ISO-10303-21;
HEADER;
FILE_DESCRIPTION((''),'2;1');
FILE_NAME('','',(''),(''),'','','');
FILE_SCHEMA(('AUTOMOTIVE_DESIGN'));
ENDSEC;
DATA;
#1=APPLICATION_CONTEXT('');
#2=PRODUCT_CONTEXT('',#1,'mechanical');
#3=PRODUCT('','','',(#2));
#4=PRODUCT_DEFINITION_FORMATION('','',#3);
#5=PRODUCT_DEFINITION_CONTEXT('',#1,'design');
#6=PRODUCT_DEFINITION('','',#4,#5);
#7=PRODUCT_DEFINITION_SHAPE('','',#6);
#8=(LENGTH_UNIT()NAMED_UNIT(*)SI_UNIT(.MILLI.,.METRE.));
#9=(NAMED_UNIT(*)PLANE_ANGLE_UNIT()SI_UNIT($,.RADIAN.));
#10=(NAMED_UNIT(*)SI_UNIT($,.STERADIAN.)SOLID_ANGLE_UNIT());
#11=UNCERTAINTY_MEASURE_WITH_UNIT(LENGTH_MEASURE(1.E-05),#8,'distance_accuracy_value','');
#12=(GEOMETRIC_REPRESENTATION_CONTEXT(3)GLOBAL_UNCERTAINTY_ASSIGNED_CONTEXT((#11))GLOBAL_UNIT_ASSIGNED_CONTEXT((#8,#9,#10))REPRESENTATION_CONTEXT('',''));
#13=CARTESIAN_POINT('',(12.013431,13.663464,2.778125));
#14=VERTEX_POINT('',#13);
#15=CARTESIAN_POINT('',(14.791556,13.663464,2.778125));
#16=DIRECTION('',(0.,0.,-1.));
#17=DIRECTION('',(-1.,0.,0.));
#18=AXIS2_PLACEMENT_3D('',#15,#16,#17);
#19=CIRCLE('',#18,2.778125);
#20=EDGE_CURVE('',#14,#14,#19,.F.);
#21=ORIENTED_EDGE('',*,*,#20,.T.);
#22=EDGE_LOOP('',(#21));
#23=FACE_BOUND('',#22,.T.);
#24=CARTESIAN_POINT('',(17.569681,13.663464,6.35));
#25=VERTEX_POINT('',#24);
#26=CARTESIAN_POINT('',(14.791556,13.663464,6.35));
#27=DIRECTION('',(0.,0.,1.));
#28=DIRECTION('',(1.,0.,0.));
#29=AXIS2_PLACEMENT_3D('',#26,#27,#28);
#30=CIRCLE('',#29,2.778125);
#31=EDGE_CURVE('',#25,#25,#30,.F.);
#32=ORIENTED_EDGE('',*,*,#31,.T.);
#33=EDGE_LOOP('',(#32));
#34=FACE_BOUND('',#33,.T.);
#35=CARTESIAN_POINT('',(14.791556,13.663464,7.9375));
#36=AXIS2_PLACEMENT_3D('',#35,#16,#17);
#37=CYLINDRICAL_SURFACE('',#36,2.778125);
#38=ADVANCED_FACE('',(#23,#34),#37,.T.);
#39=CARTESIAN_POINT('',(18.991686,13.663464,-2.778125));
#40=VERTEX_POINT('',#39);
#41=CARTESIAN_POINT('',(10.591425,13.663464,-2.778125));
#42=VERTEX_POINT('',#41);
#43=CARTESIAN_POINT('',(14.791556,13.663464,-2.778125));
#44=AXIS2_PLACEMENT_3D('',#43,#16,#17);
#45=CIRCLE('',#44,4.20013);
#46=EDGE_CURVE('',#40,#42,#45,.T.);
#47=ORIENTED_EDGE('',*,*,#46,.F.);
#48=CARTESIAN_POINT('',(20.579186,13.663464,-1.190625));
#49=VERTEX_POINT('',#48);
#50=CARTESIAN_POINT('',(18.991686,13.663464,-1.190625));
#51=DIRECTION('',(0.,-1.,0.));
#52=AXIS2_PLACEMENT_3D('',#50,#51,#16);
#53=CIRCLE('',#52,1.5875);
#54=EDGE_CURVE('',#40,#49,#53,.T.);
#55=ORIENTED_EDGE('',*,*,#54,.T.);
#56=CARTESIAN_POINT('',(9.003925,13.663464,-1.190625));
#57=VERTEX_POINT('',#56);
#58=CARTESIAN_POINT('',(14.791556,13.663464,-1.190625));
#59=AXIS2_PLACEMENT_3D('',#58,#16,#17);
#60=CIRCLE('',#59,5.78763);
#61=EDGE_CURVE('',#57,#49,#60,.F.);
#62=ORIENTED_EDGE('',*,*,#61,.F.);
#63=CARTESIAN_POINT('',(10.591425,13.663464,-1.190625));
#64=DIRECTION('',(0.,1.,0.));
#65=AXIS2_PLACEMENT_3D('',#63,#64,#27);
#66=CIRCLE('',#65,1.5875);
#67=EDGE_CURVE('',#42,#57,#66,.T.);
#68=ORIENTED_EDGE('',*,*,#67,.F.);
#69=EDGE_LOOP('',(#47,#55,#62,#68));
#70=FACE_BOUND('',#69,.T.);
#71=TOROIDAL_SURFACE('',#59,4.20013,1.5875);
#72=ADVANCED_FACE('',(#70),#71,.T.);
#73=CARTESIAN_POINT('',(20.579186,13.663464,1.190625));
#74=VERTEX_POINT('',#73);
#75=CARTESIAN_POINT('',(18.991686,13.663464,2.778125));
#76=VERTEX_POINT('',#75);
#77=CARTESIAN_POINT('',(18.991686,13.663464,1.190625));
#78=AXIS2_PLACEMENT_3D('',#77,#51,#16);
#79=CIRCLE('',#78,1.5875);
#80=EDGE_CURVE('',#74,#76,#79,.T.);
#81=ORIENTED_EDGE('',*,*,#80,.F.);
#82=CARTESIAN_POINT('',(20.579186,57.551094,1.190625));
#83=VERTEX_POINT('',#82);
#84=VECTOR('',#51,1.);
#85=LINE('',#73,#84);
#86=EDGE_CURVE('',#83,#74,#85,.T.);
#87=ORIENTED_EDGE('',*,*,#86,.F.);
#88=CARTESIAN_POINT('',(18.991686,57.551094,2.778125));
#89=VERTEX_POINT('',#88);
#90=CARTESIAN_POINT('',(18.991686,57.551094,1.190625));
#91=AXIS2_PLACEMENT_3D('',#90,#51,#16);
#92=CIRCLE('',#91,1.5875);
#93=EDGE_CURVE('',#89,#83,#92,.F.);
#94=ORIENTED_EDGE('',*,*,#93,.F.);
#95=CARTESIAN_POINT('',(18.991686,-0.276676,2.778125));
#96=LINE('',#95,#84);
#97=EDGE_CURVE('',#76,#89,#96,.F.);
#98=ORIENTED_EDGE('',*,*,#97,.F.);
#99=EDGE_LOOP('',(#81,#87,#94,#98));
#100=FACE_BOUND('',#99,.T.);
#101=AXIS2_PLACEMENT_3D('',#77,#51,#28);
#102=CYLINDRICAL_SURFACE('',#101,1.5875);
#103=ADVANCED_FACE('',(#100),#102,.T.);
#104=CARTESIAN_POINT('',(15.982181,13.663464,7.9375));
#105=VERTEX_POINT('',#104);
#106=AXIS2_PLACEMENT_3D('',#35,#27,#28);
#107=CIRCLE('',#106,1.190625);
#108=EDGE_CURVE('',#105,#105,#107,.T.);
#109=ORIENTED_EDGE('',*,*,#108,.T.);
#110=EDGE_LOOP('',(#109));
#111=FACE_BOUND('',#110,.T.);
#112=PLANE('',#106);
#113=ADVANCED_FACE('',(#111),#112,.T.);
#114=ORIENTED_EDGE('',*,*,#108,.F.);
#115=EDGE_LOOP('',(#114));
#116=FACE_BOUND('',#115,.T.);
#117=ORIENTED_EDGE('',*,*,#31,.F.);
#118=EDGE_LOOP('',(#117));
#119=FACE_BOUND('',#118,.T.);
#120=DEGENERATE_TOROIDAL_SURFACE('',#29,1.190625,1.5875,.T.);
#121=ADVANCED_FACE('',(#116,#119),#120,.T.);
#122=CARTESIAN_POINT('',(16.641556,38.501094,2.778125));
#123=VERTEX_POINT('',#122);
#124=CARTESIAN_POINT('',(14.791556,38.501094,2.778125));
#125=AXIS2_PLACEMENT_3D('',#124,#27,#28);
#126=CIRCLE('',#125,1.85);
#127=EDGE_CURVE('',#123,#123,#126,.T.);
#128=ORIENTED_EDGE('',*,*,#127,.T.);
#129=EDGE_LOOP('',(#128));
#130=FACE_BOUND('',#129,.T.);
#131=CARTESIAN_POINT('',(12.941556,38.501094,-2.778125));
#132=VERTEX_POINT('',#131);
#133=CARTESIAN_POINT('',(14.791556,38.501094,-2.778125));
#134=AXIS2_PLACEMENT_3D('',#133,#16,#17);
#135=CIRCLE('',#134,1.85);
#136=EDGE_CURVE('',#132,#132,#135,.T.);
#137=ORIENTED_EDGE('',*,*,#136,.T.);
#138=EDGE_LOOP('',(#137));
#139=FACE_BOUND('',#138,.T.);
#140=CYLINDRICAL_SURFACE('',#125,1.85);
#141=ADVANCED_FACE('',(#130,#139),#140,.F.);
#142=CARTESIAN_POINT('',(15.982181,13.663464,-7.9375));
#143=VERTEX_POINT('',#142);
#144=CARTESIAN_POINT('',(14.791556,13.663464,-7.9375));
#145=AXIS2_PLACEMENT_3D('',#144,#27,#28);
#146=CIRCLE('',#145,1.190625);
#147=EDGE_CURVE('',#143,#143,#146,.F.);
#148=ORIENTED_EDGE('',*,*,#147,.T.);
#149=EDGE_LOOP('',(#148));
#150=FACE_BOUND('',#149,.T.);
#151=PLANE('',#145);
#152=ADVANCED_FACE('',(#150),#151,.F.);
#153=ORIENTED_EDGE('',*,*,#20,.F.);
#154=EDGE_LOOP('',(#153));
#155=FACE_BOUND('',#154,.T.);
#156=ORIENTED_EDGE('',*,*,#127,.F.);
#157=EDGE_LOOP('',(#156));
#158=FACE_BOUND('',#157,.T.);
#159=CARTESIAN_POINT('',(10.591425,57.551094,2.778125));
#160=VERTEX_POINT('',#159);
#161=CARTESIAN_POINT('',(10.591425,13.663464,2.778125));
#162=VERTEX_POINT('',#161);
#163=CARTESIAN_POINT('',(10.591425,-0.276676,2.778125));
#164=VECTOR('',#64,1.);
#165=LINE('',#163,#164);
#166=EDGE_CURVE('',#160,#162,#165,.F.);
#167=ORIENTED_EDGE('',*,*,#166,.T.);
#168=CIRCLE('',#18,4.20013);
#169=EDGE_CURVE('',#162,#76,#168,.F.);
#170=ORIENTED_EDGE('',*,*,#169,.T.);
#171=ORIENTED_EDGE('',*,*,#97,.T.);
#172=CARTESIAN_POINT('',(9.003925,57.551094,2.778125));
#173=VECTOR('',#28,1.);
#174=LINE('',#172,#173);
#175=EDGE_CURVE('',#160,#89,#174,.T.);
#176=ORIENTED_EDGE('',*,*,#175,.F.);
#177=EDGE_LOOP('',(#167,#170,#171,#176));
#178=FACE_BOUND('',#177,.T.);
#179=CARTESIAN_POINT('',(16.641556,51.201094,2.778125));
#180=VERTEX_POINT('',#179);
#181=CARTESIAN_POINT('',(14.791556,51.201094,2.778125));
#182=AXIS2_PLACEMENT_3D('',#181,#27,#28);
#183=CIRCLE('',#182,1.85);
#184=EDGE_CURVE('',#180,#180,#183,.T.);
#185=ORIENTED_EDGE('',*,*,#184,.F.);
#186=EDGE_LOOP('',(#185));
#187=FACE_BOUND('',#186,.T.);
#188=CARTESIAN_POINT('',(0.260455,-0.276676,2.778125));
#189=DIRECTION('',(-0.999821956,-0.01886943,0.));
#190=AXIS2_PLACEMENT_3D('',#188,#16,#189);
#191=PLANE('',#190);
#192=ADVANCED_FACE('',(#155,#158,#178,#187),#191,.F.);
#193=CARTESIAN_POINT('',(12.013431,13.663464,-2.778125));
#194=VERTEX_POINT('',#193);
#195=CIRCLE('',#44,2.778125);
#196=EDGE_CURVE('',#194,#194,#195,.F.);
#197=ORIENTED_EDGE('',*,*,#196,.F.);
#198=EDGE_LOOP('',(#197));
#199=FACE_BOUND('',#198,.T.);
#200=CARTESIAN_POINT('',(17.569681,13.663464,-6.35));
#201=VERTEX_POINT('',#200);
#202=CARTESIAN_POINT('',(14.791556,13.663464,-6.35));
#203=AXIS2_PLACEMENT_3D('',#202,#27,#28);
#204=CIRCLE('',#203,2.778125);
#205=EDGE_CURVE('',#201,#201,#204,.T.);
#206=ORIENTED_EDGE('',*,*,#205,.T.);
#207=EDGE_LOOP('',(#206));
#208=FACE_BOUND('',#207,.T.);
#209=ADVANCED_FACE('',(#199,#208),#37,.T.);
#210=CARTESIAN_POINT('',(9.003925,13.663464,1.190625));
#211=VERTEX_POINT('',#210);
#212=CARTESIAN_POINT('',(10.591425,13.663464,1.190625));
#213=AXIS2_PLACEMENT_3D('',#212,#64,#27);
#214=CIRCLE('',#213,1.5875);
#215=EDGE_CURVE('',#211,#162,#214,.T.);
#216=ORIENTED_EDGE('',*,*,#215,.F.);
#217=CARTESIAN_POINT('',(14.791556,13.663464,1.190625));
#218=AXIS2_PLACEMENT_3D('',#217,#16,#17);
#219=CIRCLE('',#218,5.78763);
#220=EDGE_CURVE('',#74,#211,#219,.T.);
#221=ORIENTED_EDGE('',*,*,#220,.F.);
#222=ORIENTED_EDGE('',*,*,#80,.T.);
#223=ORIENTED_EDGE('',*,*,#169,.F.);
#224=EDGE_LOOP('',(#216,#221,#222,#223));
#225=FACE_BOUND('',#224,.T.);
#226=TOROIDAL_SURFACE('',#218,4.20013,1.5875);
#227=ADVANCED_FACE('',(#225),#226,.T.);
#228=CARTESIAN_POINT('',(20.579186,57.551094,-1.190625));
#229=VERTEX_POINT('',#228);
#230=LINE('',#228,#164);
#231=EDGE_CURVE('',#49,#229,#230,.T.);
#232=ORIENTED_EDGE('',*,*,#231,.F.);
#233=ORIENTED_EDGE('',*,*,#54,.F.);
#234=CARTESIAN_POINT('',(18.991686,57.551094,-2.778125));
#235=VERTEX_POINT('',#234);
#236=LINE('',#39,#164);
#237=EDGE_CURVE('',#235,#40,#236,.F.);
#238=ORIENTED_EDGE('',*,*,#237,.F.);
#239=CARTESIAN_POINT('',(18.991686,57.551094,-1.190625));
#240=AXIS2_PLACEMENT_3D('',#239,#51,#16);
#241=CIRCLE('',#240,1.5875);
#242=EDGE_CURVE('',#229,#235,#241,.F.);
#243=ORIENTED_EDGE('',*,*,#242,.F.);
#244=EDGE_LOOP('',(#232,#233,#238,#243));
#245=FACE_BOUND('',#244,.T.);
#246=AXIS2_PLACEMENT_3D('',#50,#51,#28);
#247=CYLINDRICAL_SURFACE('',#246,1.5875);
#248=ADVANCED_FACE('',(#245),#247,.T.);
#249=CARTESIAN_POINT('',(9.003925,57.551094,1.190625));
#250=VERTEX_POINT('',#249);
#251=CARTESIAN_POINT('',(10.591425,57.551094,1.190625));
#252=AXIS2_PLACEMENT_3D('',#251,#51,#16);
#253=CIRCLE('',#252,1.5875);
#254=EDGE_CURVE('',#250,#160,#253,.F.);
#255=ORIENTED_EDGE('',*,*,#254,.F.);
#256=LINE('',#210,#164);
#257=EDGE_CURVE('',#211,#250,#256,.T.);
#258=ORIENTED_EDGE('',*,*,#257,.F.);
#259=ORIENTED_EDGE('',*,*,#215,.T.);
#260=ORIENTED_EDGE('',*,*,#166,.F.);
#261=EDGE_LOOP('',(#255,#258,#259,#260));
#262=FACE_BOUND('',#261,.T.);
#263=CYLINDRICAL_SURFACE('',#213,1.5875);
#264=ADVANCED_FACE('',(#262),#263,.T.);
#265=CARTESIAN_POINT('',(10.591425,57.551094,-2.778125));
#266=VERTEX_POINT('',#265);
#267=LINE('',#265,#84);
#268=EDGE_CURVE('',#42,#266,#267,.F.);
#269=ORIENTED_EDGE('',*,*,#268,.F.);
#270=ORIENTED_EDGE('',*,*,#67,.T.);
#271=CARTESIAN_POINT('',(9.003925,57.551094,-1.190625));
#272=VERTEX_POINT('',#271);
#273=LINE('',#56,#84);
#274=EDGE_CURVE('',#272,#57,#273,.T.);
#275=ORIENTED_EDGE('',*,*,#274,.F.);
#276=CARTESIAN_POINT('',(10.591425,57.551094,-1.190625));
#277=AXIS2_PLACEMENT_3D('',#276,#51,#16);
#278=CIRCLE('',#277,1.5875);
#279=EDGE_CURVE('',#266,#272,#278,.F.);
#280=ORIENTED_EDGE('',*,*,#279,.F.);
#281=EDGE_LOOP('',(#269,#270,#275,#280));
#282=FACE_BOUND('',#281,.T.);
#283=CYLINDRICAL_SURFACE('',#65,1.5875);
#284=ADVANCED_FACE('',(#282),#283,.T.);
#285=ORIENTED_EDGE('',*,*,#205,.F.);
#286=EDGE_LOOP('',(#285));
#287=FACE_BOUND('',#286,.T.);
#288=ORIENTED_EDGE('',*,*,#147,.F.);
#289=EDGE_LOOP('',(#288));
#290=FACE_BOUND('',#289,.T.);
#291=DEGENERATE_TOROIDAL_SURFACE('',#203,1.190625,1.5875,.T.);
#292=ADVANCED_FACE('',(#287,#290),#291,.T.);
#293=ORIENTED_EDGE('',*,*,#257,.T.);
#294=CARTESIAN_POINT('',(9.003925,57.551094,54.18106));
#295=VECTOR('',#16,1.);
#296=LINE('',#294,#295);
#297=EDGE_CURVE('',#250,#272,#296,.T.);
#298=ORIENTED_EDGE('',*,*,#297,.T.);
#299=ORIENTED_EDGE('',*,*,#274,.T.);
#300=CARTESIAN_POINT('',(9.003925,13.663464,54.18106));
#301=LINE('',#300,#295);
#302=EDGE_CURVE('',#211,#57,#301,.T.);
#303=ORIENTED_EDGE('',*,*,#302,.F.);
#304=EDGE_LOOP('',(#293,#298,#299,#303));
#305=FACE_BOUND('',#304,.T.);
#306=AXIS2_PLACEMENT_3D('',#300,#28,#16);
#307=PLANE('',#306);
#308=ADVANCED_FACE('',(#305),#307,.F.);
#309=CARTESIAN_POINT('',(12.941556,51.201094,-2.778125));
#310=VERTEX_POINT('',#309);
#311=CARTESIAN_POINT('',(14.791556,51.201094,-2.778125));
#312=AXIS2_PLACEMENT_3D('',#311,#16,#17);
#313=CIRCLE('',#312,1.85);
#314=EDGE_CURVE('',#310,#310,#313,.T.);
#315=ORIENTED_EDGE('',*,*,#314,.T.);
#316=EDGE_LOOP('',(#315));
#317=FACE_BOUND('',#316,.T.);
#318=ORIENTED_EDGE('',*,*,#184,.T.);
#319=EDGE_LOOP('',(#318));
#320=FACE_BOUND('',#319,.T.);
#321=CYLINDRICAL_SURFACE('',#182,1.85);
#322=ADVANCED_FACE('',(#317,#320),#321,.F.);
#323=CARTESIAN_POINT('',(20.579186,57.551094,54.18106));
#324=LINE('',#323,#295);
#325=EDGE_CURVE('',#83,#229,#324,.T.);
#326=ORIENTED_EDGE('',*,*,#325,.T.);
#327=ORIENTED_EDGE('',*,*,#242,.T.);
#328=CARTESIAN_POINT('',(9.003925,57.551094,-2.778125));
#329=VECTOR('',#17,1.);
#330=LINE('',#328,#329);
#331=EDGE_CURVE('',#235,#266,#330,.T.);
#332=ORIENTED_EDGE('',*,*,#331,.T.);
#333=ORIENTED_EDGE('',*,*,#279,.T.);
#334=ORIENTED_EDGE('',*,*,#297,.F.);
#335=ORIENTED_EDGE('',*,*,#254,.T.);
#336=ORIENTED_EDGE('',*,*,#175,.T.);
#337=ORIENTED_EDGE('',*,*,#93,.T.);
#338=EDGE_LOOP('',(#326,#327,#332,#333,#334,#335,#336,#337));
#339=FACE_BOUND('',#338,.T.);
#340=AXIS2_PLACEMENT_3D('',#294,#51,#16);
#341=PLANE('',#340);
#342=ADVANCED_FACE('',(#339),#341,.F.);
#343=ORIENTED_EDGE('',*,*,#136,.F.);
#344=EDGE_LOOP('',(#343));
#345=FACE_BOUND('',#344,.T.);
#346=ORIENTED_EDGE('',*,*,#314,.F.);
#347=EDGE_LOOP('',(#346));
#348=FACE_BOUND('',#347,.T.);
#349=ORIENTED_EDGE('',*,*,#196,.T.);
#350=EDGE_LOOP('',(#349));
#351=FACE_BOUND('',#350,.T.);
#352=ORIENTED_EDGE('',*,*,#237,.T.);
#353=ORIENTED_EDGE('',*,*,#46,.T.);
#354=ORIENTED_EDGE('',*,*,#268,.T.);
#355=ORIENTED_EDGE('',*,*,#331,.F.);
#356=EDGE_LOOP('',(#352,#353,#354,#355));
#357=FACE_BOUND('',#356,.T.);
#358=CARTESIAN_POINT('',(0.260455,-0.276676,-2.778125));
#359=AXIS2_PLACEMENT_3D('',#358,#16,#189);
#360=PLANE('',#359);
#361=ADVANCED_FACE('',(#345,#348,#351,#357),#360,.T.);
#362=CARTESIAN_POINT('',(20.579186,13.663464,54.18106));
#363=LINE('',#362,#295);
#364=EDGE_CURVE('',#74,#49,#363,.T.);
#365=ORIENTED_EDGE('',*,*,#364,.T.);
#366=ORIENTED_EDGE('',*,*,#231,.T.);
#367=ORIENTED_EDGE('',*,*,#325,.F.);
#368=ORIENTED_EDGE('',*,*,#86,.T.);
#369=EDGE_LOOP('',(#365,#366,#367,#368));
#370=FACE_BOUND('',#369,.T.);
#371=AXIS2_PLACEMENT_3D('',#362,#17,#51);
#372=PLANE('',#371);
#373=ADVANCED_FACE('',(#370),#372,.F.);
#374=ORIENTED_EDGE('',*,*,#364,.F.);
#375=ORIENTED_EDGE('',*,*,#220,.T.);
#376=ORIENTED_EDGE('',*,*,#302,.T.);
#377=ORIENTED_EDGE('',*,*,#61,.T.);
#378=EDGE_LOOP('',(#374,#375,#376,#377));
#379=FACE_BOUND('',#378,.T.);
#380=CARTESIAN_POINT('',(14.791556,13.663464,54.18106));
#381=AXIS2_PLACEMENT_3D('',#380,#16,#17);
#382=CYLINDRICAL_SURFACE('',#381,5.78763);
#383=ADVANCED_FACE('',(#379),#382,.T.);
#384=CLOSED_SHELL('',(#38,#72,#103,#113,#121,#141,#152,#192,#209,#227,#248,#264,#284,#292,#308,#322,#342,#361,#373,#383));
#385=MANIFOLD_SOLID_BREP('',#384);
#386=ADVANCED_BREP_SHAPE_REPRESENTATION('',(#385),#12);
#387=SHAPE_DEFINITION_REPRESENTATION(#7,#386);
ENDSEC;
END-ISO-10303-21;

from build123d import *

# Parameters (mm, degrees)
BOSS_EXTRUDE1_DEPTH          = 2.778125
BOSS_EXTRUDE1_DEPTH_BACK     = 2.778125
SKETCH2_R                    = 2.778125
BOSS_EXTRUDE2_DEPTH          = 7.9375
F_97_0_0059_DIAMETER_HOLE1_D = 3.699999966
FILLET1_R                    = 1.5875
FILLET2_R                    = 1.5875


with BuildPart() as part:
    # Sketch1 → Boss-Extrude1 (new, two sides: drawn at the far end of the back side and taken through both)
    with BuildSketch(Plane.XY.offset(-BOSS_EXTRUDE1_DEPTH_BACK)):
        with BuildLine():
            Line((20.579185749, 13.663463824), (20.579185749, 57.551094031))
            Line((20.579185749, 57.551094031), (9.003925336, 57.551094031))
            Line((9.003925336, 57.551094031), (9.003925336, 13.663463824))
            ThreePointArc((9.003925336, 13.663463824), (14.791555542, 7.875833618), (20.579185749, 13.663463824))
        make_face()
    extrude(amount=BOSS_EXTRUDE1_DEPTH + BOSS_EXTRUDE1_DEPTH_BACK)

    # Sketch2 → Boss-Extrude2 (add, symmetric)
    with BuildSketch(Plane.XY):
        with Locations(Location((14.791555542, 13.663463824, 0), (0, 0, 180))):
            Circle(SKETCH2_R)
    extrude(amount=BOSS_EXTRUDE2_DEPTH, both=True)

    # #97 (0.0059) Diameter Hole1 (through all)
    with Locations(Plane.XY.offset(2.778125)):
        with Locations((14.791555542, 51.201094031), (14.791555542, 38.501094031)):
            Hole(F_97_0_0059_DIAMETER_HOLE1_D / 2)

    # Fillet1
    fillet1_edges = [part.edges().sort_by_distance(p)[0] for p in [
        (17.569680542, 13.663463824, -7.9375),
        (17.569680542, 13.663463824, 7.9375),
    ]]
    fillet(fillet1_edges, radius=FILLET1_R)

    # Fillet2
    fillet2_edges = [part.edges().sort_by_distance(p)[0] for p in [
        (9.003925336, 35.607278928, 2.778125),
        (20.579185749, 35.607278928, 2.778125),
        (14.791555542, 7.875833618, 2.778125),
        (20.579185749, 35.607278928, -2.778125),
        (9.003925336, 35.607278928, -2.778125),
        (14.791555542, 7.875833618, -2.778125),
    ]]
    fillet(fillet2_edges, radius=FILLET2_R)


solid = part.part
